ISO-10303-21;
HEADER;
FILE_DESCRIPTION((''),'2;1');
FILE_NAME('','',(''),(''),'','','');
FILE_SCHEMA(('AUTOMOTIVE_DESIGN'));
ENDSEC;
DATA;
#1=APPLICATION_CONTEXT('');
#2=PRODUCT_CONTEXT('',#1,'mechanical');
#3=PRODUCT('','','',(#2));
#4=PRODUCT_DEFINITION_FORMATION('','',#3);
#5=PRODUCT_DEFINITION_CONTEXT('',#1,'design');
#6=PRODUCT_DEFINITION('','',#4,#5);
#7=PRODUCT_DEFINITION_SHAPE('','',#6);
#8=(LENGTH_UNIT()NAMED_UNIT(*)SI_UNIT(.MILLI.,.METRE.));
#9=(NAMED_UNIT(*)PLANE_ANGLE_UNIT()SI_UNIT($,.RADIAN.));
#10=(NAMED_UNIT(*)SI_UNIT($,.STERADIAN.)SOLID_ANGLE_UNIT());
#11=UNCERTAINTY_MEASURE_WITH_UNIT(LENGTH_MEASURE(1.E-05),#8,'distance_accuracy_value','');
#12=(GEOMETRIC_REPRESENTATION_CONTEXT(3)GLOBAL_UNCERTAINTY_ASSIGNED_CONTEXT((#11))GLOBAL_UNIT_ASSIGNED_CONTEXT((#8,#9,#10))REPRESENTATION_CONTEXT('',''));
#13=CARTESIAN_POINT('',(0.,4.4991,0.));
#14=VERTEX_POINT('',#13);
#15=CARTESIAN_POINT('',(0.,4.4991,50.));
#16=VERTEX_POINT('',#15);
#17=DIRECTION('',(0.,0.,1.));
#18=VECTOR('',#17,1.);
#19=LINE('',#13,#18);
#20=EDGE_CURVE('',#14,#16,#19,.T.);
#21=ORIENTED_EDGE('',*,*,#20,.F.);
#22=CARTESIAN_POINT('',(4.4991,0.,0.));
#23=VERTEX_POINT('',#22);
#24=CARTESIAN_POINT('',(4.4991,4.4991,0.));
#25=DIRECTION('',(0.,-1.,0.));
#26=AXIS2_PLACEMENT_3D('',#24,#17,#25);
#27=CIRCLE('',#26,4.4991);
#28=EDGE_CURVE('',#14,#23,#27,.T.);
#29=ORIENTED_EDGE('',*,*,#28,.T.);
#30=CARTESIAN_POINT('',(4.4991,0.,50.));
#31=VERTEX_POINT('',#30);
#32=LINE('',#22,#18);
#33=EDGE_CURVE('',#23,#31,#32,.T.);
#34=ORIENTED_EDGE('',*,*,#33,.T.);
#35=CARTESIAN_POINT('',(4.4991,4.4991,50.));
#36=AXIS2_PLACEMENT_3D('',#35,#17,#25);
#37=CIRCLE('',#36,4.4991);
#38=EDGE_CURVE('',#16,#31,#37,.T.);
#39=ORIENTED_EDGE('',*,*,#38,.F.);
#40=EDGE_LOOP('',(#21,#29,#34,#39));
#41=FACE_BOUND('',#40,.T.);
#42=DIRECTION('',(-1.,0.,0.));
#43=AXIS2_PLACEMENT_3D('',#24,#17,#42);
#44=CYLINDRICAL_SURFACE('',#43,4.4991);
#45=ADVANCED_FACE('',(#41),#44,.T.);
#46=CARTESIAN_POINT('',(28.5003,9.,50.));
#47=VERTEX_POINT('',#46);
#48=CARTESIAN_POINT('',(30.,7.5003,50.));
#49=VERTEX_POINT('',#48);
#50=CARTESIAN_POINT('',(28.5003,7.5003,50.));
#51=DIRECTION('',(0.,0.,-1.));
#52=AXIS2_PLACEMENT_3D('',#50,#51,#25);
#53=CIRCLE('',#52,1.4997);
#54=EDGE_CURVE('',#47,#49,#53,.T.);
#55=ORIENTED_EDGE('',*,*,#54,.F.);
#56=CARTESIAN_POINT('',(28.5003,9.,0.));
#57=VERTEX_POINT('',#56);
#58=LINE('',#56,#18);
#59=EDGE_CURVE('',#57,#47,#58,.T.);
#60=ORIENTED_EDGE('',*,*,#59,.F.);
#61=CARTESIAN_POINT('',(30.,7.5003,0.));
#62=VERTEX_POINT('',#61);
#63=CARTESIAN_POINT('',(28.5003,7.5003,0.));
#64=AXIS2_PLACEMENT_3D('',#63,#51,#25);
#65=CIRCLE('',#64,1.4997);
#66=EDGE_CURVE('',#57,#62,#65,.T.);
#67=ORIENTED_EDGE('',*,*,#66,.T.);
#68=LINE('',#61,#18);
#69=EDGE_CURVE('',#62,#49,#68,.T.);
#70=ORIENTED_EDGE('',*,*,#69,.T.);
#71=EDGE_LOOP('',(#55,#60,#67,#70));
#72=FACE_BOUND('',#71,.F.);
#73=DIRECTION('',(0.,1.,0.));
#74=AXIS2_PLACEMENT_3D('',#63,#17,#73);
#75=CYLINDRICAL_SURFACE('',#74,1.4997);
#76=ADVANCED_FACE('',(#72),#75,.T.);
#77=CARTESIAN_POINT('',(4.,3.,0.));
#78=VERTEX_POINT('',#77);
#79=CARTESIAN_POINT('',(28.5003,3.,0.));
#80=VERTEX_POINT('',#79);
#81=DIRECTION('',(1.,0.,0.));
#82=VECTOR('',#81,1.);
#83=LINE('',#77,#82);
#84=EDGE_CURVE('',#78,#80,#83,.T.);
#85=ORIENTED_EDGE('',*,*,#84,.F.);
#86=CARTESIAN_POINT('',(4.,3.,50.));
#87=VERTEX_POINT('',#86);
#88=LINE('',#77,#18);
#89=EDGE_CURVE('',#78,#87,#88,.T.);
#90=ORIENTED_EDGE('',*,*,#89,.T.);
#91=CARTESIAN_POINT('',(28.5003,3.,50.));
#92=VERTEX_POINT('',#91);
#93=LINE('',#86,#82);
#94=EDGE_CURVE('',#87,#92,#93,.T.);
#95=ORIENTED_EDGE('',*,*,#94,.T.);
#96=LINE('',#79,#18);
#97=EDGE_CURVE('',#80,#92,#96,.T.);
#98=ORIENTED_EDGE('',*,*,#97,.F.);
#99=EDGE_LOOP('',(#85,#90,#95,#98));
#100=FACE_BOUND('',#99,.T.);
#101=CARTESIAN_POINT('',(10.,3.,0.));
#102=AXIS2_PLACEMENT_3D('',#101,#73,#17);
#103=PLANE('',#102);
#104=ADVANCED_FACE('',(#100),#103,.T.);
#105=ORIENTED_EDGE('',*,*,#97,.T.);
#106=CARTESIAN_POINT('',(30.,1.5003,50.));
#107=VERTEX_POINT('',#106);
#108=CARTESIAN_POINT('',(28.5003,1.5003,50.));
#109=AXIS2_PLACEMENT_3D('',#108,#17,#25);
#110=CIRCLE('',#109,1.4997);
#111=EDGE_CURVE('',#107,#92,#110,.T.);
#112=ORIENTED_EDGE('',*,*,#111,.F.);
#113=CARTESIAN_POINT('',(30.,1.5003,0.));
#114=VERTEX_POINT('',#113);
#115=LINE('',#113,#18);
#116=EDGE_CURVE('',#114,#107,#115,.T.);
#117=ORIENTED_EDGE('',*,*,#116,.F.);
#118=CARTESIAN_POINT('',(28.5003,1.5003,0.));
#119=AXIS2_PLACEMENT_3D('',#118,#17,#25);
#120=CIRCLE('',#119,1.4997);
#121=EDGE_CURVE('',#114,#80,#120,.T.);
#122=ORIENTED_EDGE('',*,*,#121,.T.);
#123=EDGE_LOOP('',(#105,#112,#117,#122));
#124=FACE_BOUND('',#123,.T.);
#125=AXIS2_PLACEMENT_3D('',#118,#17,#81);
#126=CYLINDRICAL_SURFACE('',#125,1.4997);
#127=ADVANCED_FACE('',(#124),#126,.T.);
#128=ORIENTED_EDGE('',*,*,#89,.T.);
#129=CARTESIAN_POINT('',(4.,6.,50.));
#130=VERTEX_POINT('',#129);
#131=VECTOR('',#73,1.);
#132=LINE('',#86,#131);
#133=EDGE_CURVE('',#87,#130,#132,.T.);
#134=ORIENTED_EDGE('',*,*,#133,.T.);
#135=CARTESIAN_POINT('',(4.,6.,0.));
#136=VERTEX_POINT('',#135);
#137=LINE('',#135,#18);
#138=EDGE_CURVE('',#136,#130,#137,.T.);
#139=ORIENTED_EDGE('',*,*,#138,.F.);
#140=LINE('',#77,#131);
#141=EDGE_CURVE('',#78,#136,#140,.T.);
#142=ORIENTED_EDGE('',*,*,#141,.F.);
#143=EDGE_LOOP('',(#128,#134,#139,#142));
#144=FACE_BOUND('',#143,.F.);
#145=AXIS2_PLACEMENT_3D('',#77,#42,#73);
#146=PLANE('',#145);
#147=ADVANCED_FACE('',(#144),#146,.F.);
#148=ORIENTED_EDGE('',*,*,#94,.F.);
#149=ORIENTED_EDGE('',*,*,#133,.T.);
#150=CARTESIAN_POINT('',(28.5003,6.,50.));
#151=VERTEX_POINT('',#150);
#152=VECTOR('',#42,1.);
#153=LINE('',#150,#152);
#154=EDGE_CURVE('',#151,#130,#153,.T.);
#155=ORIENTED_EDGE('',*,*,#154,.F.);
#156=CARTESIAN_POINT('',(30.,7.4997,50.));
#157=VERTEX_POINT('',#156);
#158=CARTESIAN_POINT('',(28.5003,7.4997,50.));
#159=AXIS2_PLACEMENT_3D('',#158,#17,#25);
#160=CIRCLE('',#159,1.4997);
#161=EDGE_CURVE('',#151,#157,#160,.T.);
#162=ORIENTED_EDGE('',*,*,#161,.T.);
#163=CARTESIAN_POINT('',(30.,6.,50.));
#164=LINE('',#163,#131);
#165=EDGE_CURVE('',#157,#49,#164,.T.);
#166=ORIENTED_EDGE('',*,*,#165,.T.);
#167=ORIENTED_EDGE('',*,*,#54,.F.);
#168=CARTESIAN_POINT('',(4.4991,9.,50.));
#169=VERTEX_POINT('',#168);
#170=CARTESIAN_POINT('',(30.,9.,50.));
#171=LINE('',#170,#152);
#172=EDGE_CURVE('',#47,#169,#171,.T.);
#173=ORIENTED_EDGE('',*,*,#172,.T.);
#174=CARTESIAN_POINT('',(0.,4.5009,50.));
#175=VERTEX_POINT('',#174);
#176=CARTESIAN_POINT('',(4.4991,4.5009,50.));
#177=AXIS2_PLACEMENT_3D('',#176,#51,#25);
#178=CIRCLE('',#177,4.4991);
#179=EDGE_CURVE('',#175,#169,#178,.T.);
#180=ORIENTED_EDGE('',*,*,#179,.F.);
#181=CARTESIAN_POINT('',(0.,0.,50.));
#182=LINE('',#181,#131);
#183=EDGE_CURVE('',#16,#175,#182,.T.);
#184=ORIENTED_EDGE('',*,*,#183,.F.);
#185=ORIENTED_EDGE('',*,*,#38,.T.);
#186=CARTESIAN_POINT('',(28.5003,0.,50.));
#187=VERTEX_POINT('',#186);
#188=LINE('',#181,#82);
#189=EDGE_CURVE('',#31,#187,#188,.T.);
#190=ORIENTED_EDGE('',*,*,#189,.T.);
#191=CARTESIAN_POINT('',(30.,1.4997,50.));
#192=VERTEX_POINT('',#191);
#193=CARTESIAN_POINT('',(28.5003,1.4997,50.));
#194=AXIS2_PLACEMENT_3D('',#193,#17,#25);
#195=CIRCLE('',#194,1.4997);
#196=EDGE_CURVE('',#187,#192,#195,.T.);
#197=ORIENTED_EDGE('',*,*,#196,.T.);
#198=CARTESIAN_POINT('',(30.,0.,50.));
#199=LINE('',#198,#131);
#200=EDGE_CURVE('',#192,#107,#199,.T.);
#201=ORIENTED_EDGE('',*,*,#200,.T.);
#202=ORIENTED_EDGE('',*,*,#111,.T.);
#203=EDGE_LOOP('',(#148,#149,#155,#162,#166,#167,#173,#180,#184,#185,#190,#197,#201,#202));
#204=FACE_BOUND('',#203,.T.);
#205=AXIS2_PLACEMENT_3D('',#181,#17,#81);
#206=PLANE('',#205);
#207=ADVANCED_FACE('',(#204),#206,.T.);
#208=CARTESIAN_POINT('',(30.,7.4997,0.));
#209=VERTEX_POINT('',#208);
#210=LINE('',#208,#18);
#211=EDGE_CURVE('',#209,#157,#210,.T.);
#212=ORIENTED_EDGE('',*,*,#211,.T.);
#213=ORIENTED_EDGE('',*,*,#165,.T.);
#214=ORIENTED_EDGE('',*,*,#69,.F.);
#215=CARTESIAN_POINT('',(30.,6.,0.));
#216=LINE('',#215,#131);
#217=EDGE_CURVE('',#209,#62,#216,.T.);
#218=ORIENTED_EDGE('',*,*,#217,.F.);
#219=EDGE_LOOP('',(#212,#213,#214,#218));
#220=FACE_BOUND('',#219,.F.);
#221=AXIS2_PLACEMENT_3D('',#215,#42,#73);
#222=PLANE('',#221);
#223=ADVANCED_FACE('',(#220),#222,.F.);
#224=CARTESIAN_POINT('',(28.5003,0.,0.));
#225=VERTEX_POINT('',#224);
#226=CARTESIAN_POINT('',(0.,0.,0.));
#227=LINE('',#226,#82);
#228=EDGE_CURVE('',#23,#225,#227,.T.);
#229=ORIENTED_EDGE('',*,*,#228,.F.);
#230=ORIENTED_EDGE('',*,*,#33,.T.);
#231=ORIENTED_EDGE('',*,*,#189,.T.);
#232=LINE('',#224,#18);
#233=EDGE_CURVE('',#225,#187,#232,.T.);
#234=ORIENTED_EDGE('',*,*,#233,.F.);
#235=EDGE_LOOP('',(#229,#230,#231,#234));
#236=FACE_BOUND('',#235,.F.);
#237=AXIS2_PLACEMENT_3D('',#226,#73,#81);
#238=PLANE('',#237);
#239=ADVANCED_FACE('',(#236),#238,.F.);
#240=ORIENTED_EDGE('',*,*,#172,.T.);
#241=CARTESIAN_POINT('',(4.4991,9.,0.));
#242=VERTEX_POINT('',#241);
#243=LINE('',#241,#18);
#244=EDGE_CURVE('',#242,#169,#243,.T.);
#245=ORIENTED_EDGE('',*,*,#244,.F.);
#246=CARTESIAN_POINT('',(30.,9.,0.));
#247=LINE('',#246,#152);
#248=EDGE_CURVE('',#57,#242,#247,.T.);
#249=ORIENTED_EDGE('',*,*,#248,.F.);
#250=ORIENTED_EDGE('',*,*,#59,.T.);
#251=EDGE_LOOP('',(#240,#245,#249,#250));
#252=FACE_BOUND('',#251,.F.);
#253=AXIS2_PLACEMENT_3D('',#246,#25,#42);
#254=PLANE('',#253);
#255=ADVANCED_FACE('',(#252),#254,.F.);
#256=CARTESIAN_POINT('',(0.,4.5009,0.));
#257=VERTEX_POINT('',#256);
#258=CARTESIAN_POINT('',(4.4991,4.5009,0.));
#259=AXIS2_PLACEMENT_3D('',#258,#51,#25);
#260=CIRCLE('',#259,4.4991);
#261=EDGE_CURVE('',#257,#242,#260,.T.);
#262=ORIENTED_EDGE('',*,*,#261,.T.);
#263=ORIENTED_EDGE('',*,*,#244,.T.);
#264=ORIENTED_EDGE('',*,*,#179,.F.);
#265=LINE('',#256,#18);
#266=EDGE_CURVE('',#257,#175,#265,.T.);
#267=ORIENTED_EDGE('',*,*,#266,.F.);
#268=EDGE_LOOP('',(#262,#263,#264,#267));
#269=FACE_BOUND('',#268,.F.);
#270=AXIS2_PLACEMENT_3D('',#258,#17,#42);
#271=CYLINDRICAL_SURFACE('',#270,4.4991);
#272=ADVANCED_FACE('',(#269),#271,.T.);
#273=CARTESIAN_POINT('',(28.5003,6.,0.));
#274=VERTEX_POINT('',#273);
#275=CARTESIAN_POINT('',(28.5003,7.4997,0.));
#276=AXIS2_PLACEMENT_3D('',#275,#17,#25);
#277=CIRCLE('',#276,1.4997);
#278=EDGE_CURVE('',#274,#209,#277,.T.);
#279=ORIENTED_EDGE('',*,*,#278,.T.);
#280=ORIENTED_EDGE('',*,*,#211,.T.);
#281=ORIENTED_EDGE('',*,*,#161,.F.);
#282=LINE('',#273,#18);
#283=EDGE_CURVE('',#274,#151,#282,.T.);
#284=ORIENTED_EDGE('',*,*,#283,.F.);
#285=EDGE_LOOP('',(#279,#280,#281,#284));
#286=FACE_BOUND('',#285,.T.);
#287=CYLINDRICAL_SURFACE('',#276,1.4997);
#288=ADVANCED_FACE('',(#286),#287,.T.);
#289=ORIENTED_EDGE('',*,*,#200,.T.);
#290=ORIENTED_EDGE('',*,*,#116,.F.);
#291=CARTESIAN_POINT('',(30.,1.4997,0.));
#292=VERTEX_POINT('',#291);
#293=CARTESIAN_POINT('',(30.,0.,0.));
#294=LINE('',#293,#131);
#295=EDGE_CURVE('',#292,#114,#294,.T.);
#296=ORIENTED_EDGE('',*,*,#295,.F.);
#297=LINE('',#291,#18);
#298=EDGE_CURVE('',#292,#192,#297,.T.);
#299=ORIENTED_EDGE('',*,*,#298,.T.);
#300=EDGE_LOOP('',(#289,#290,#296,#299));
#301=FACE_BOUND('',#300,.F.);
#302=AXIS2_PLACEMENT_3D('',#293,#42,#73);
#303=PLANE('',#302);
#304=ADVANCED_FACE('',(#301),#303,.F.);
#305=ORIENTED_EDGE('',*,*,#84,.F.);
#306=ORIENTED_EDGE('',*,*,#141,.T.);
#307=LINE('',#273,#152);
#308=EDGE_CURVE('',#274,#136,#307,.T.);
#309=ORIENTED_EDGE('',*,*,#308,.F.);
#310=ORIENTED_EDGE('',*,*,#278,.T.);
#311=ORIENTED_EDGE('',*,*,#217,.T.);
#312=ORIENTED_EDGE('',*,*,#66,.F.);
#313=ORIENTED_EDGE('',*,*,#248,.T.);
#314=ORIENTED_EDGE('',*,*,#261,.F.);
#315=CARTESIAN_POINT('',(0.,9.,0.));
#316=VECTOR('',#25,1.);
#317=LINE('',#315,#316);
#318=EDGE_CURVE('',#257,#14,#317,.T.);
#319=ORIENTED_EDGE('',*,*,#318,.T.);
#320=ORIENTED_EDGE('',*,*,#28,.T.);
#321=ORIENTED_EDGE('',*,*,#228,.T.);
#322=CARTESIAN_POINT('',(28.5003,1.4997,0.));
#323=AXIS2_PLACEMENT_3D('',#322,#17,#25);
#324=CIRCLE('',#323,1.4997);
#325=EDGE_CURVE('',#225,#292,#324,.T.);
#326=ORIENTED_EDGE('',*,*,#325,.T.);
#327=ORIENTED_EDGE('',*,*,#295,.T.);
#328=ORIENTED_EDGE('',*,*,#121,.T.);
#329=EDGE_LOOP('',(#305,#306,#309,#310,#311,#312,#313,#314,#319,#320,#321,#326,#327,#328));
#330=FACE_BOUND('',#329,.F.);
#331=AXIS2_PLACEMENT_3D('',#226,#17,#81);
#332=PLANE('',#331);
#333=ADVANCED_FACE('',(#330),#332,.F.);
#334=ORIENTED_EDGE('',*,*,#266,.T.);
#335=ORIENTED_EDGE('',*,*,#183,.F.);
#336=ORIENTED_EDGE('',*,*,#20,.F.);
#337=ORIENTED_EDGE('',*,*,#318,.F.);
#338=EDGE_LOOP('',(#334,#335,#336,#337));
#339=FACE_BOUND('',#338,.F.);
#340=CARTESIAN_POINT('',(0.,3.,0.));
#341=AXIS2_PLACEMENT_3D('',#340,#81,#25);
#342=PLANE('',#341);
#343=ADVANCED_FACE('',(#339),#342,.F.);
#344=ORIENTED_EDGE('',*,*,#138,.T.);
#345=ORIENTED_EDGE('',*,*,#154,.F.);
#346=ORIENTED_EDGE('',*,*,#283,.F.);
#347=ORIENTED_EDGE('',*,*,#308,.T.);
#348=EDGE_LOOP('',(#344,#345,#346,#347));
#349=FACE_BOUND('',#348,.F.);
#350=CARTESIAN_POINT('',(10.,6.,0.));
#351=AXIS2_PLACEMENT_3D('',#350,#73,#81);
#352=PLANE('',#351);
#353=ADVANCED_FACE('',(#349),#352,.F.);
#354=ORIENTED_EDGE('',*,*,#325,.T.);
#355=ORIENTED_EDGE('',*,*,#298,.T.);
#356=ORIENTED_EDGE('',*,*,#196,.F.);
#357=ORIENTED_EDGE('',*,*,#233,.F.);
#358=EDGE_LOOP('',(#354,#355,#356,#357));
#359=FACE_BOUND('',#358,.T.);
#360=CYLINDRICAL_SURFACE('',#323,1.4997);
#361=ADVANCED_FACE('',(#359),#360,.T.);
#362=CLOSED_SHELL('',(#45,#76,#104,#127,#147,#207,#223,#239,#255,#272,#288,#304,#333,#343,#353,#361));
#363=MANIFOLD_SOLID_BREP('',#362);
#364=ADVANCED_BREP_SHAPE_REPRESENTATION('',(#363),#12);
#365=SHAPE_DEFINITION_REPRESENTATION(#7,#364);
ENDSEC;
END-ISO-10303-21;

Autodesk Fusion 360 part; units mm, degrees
sketch "Schizzo1" plane through (0, 0, 0) normal (0, 0, 1) x (1, 0, 0)
  line L0 (0, 0) -> (10, 0)
  line L1 (10, 0) -> (10, 2)
  line L2 (10, 2) -> (0, 2)
  line L3 (0, 2) -> (0, 0)
  line L4 (0, 2) -> (2.5, 2)
  line L5 (2.5, 2) -> (2.5, 4)
  line L6 (2.5, 4) -> (0, 4)
  line L7 (0, 4) -> (0, 2)
  line L8 (0, 4) -> (10, 4)
  line L9 (10, 4) -> (10, 6)
  line L10 (10, 6) -> (0, 6)
  line L11 (0, 6) -> (0, 4)
  dimension "d1" = 10
  dimension "d2" = 2
  dimension "d3" = 2
sketch "Schizzo2" plane through (0, 0, 0) normal (0, 0, 1) x (1, 0, 0)
  line L0 (0, 0) -> (30, 0)
  line L1 (30, 0) -> (30, 3)
  line L2 (30, 3) -> (0, 3)
  line L3 (0, 3) -> (0, 0)
  line L4 (0, 3) -> (10, 3)
  line L5 (10, 3) -> (10, 6)
  line L6 (10, 6) -> (0, 6)
  line L7 (0, 6) -> (0, 3)
  line L8 (0, 6) -> (30, 6)
  line L9 (30, 6) -> (30, 9)
  line L10 (30, 9) -> (0, 9)
  line L11 (0, 9) -> (0, 6)
extrude "Estrusione2" add sketch "Schizzo2" along normal blind 50
fillet "Raccordo3" radius 4.5 2 edges at (0, 0, 25) (0, 9, 25)
fillet "Raccordo4" radius 1.5 4 edges at (30, 0, 25) (30, 3, 25) (30, 6, 25) (30, 9, 25)
extrude "Estrusione3" cut 1 faces at (10, 4, 33.3333) along direction (-1, 0, 0) blind 6
extrude "Estrusione1" [suppressed]
fillet "Raccordo1" [suppressed]
fillet "Raccordo2" [suppressed]
